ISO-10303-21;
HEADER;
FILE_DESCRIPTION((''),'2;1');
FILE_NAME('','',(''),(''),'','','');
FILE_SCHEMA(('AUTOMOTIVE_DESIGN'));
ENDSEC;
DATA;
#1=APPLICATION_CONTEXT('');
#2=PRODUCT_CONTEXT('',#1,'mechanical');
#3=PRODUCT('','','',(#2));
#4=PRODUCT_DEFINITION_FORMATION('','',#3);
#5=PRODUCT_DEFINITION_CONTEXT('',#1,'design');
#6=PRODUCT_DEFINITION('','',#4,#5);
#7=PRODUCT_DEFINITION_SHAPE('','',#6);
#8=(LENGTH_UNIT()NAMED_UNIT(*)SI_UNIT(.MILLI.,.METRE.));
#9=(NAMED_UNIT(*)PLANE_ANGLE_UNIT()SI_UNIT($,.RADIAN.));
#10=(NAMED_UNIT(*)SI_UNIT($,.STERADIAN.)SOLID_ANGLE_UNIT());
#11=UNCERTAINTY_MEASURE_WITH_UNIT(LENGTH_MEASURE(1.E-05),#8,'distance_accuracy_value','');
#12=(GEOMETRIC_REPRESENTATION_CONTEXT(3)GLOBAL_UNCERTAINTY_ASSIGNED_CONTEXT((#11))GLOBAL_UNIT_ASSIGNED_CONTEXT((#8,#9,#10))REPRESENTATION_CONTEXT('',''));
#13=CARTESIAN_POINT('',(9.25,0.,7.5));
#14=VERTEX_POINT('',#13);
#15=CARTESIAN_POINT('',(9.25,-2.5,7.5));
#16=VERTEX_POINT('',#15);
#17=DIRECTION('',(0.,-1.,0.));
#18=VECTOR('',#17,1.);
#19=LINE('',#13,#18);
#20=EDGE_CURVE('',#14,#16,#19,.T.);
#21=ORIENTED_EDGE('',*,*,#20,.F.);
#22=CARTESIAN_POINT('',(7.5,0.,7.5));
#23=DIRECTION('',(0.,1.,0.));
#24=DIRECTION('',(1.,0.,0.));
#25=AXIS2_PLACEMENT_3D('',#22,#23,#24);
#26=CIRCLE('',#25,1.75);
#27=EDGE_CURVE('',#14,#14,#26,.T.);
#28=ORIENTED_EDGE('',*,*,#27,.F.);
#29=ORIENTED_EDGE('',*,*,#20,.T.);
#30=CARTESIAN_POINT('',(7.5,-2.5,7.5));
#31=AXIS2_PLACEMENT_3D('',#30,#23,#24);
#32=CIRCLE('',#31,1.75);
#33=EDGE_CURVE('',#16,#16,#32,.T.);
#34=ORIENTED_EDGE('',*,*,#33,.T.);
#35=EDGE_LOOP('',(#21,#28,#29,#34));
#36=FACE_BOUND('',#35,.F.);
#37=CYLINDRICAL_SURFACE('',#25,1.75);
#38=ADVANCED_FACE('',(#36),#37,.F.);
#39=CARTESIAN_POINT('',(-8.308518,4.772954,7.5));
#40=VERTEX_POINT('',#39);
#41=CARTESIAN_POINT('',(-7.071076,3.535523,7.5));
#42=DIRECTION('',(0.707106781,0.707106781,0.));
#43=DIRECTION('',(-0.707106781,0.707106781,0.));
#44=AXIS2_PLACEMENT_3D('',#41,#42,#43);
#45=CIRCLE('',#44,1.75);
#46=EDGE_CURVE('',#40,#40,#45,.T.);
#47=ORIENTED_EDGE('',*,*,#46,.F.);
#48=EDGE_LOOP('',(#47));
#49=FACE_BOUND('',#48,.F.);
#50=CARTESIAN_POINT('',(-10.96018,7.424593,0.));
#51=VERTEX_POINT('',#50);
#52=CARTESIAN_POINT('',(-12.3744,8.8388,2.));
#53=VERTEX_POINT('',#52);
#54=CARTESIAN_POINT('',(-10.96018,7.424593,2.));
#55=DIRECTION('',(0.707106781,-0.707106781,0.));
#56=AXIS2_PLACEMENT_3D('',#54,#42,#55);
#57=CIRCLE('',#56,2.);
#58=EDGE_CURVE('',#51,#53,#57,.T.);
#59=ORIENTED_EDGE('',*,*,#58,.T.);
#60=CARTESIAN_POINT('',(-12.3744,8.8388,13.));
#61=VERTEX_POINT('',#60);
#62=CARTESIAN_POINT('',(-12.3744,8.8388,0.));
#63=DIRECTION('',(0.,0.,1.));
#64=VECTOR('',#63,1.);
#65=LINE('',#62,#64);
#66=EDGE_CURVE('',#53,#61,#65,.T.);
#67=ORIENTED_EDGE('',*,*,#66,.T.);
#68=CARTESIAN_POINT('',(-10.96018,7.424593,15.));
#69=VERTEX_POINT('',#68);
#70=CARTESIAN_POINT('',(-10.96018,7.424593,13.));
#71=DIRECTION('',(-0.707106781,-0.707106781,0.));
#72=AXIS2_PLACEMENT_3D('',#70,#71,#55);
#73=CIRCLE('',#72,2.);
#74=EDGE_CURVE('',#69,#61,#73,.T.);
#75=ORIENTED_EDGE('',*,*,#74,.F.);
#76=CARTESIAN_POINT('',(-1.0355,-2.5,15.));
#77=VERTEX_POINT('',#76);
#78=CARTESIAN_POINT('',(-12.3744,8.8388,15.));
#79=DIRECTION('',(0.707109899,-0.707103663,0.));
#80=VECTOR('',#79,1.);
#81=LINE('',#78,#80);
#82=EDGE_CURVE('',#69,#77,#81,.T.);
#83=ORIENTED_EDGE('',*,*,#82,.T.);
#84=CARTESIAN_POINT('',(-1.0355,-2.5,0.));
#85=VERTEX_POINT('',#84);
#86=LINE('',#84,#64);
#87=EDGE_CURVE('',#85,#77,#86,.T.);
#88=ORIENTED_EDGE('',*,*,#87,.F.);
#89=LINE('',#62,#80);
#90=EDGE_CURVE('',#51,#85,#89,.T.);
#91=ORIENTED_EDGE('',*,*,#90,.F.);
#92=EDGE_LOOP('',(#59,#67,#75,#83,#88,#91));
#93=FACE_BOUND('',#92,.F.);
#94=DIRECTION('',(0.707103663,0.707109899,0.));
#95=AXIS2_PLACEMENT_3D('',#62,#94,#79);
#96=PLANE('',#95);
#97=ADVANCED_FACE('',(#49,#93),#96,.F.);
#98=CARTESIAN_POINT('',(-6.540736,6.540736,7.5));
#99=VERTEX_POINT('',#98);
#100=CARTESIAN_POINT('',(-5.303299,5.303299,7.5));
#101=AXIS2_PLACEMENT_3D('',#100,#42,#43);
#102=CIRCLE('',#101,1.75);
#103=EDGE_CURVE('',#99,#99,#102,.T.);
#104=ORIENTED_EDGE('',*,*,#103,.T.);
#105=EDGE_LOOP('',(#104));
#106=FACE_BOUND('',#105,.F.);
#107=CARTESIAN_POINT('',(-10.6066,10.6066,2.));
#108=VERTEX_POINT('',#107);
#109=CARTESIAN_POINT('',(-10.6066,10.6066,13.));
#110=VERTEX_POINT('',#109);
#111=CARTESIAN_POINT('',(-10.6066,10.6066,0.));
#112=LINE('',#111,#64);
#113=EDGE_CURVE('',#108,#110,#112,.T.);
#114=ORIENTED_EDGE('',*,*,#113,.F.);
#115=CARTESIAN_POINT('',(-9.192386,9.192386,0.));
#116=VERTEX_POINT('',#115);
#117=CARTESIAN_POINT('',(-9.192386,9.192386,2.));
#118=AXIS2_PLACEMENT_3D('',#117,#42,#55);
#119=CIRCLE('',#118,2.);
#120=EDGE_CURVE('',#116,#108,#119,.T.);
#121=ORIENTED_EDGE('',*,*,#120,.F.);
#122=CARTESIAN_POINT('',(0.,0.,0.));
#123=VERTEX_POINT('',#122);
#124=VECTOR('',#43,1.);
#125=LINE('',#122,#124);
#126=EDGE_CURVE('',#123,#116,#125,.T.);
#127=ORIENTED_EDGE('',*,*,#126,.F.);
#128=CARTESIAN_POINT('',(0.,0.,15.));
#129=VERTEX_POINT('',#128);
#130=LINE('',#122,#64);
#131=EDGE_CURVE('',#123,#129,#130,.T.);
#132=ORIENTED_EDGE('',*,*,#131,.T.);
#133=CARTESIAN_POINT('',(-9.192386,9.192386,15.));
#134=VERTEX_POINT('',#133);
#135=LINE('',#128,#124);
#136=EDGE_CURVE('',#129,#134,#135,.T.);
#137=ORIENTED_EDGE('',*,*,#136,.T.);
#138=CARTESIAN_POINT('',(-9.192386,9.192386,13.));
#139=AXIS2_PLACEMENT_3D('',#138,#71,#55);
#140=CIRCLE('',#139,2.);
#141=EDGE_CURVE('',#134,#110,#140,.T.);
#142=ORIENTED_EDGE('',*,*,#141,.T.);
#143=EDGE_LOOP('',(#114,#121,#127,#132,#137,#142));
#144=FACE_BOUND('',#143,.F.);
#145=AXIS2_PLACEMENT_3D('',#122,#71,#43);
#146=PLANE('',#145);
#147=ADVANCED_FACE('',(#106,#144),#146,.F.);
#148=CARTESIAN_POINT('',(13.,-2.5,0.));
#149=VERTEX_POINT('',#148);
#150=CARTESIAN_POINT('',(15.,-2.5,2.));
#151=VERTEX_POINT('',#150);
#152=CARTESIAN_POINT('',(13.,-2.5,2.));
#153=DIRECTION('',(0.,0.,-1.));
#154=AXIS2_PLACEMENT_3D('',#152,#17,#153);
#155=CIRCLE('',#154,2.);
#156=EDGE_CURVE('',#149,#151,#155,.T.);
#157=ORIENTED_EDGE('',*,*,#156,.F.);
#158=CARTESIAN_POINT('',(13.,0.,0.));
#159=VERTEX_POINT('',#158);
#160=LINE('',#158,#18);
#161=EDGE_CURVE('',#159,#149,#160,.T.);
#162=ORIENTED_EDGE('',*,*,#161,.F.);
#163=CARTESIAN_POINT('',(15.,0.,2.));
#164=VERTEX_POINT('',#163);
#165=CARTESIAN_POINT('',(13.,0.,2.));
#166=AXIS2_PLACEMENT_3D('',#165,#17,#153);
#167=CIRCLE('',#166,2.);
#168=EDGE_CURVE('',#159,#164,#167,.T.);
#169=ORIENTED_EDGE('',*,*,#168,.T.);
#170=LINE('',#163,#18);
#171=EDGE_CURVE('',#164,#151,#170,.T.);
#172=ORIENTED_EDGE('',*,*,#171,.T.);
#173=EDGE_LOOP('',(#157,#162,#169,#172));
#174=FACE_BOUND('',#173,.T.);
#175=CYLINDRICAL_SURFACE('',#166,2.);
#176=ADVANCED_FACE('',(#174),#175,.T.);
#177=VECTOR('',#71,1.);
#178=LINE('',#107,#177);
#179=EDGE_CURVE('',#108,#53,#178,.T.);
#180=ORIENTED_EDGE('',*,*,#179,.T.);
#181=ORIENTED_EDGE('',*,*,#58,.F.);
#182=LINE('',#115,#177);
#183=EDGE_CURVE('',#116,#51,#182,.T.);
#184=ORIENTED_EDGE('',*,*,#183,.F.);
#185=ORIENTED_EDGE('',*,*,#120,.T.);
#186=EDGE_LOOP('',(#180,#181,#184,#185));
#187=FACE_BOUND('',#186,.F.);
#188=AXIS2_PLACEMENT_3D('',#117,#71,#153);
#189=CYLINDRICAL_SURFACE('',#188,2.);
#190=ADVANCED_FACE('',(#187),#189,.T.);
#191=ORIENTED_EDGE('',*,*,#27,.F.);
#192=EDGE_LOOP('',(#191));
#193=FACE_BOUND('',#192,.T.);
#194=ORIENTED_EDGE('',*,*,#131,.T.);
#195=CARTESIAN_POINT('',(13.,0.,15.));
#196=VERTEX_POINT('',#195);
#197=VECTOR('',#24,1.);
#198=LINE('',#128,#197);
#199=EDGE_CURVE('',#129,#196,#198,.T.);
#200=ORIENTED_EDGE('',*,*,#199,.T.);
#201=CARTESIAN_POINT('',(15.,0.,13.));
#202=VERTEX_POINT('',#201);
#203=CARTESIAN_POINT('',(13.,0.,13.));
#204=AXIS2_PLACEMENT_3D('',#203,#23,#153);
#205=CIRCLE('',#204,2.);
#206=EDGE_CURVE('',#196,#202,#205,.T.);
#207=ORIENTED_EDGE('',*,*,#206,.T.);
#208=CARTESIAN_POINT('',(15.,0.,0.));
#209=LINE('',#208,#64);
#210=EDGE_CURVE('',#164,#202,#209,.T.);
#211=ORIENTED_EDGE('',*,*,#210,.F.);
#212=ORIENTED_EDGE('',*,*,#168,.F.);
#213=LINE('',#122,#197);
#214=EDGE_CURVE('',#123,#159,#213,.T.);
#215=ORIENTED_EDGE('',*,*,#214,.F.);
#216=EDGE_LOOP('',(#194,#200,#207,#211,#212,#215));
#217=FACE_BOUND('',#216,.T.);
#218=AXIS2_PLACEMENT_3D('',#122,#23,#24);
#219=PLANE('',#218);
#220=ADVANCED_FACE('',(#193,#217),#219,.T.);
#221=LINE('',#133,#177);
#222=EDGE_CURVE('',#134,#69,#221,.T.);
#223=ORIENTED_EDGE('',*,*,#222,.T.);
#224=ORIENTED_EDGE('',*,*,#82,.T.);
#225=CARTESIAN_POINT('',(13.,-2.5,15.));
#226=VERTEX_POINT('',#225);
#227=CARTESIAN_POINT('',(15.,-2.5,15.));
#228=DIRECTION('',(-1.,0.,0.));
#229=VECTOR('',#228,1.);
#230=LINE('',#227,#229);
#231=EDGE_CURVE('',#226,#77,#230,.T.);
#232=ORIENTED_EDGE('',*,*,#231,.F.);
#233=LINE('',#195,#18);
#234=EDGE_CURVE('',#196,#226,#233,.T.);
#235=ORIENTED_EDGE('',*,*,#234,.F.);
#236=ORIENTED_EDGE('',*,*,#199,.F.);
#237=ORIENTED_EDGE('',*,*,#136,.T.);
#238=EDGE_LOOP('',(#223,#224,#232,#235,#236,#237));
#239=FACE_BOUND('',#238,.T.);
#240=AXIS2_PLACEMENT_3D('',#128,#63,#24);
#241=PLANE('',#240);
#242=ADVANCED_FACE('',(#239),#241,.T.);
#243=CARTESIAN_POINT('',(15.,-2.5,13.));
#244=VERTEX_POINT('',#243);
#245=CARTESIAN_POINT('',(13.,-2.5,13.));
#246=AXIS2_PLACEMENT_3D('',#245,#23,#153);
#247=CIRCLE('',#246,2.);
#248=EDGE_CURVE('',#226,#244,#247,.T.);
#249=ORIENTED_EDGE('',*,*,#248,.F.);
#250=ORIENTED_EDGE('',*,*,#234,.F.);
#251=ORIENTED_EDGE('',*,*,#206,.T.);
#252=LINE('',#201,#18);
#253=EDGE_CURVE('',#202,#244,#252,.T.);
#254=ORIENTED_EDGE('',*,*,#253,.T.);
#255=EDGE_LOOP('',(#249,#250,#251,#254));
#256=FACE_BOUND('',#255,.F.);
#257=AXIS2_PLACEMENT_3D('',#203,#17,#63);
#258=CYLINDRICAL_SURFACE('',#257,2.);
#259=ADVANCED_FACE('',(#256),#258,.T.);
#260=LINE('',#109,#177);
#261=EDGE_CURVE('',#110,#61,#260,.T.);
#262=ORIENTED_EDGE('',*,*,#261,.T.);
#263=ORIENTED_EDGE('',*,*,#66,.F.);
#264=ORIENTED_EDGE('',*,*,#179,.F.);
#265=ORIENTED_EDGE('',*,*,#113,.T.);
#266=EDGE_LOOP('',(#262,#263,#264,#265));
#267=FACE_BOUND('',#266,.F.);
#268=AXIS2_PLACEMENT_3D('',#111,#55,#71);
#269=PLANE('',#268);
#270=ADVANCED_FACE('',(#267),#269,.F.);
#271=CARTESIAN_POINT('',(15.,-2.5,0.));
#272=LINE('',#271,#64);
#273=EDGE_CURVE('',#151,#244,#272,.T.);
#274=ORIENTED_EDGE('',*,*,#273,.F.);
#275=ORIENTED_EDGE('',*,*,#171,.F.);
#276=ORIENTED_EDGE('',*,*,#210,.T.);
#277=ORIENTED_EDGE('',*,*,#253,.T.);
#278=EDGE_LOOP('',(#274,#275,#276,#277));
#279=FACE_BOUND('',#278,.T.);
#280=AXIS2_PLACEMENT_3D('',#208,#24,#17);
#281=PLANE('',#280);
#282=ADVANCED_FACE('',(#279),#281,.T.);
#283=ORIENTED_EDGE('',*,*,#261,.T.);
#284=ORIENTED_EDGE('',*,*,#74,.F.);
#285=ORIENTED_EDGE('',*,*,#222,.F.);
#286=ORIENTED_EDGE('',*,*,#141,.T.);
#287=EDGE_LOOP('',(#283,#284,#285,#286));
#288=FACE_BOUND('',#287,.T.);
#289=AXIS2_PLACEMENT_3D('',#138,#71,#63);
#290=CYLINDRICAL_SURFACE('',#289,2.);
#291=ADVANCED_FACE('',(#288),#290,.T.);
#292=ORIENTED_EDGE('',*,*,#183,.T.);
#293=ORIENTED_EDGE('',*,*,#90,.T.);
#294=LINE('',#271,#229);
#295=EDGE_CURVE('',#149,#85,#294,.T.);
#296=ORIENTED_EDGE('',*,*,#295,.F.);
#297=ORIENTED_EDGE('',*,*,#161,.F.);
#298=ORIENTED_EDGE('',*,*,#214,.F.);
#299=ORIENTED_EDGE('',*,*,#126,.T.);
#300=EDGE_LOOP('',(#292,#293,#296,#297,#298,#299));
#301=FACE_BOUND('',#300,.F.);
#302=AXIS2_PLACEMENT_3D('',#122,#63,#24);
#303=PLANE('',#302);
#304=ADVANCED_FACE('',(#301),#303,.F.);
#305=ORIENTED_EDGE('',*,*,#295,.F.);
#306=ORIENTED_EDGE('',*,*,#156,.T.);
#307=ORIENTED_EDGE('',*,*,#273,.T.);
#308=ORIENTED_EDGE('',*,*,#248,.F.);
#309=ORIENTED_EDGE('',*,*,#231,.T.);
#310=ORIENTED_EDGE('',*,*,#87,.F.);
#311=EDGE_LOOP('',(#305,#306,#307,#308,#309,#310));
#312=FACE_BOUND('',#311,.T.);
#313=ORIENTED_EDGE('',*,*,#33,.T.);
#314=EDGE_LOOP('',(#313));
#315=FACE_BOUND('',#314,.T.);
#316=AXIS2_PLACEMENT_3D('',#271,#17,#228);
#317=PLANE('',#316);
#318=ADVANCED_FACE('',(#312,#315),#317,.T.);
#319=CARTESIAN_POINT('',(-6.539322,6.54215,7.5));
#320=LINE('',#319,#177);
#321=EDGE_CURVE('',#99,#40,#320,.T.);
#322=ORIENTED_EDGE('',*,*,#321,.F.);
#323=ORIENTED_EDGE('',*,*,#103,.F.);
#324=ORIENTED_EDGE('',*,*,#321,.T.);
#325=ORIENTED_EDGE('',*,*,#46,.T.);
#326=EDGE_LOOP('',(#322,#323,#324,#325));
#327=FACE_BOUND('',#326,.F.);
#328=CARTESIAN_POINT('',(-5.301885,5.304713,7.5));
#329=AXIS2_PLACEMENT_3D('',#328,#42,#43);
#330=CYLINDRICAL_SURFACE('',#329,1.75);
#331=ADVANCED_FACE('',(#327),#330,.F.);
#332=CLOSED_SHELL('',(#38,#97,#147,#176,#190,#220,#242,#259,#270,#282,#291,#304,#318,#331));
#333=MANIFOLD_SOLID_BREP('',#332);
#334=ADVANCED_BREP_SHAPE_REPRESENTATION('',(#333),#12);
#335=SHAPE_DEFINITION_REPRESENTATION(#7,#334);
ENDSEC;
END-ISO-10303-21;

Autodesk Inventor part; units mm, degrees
ref_plane "YZ Plane" through (0, 0, 0) normal (1, 0, 0) x (0, 1, 0)
ref_plane "XZ Plane" through (0, 0, 0) normal (0, 1, 0) x (-1, 0, 0)
ref_plane "XY Plane" through (0, 0, 0) normal (0, 0, 1) x (1, 0, 0)
sketch "Sketch1" plane through (0, 0, 0) normal (0, 0, 1) x (1, 0, 0)
  line L0 (0, 0) -> (15, 0)
  line L1 (0, 0) -> (-10.6066, 10.6066)
  line L2 (0, 0) -> (15, 0) construction
  line L3 (-10.6066, 10.6066) -> (-12.3744, 8.8388)
  line L4 (15, 0) -> (15, -2.5)
  line L5 (0, 0) -> (2.3007, 5.5544) construction
  line L6 (0, 0) -> (6.0121, 0) construction
  line L7 (2.3007, 5.5544) -> (-1.6655, -4.021) construction
  line L8 (-12.3744, 8.8388) -> (-1.0355, -2.5)
  line L9 (15, -2.5) -> (-1.0355, -2.5)
  dimension "d2" = 15
  dimension "d3" = 15
  dimension "d4" = 135
  dimension "d5" = 2.5
  dimension "d6" = 2.5
  dimension "d7" = 67.5
extrude "Extrusion1" add sketch "Sketch1" along normal blind 15
sketch "Sketch2" plane through (-10.6066, 10.6066, 0) normal (0.7071, 0.7071, 0) x (-0.7071, 0.7071, 0)
  circle A0 centre (-7.5, 7.5) radius 1.75
  line L0 (-15, 15) -> (0, 15) projected
  line L1 (-15, 0) -> (-15, 15) projected
  dimension "d10" = 3.5
  dimension "d11" = 7.5
  dimension "d12" = 7.5
sketch "Sketch3" plane through (0, 0, 0) normal (0, 1, 0) x (1, 0, 0)
  circle A0 centre (7.5, -7.5) radius 1.75
  line L0 (15, 0) -> (15, -15) projected
  line L1 (15, 0) -> (0, 0) projected
  dimension "d13" = 3.5
  dimension "d14" = 7.5
  dimension "d15" = 7.5
extrude "Extrusion2" cut sketch "Sketch2" against normal blind 15
extrude "Extrusion3" cut sketch "Sketch3" against normal blind 15
fillet "Fillet1" radius 2 4 edges at (-11.4905, 9.7227, 15) (-11.4905, 9.7227, 0) (15, -1.25, 0) (15, -1.25, 15)
properties part number "45 degree inside coner bracket"
